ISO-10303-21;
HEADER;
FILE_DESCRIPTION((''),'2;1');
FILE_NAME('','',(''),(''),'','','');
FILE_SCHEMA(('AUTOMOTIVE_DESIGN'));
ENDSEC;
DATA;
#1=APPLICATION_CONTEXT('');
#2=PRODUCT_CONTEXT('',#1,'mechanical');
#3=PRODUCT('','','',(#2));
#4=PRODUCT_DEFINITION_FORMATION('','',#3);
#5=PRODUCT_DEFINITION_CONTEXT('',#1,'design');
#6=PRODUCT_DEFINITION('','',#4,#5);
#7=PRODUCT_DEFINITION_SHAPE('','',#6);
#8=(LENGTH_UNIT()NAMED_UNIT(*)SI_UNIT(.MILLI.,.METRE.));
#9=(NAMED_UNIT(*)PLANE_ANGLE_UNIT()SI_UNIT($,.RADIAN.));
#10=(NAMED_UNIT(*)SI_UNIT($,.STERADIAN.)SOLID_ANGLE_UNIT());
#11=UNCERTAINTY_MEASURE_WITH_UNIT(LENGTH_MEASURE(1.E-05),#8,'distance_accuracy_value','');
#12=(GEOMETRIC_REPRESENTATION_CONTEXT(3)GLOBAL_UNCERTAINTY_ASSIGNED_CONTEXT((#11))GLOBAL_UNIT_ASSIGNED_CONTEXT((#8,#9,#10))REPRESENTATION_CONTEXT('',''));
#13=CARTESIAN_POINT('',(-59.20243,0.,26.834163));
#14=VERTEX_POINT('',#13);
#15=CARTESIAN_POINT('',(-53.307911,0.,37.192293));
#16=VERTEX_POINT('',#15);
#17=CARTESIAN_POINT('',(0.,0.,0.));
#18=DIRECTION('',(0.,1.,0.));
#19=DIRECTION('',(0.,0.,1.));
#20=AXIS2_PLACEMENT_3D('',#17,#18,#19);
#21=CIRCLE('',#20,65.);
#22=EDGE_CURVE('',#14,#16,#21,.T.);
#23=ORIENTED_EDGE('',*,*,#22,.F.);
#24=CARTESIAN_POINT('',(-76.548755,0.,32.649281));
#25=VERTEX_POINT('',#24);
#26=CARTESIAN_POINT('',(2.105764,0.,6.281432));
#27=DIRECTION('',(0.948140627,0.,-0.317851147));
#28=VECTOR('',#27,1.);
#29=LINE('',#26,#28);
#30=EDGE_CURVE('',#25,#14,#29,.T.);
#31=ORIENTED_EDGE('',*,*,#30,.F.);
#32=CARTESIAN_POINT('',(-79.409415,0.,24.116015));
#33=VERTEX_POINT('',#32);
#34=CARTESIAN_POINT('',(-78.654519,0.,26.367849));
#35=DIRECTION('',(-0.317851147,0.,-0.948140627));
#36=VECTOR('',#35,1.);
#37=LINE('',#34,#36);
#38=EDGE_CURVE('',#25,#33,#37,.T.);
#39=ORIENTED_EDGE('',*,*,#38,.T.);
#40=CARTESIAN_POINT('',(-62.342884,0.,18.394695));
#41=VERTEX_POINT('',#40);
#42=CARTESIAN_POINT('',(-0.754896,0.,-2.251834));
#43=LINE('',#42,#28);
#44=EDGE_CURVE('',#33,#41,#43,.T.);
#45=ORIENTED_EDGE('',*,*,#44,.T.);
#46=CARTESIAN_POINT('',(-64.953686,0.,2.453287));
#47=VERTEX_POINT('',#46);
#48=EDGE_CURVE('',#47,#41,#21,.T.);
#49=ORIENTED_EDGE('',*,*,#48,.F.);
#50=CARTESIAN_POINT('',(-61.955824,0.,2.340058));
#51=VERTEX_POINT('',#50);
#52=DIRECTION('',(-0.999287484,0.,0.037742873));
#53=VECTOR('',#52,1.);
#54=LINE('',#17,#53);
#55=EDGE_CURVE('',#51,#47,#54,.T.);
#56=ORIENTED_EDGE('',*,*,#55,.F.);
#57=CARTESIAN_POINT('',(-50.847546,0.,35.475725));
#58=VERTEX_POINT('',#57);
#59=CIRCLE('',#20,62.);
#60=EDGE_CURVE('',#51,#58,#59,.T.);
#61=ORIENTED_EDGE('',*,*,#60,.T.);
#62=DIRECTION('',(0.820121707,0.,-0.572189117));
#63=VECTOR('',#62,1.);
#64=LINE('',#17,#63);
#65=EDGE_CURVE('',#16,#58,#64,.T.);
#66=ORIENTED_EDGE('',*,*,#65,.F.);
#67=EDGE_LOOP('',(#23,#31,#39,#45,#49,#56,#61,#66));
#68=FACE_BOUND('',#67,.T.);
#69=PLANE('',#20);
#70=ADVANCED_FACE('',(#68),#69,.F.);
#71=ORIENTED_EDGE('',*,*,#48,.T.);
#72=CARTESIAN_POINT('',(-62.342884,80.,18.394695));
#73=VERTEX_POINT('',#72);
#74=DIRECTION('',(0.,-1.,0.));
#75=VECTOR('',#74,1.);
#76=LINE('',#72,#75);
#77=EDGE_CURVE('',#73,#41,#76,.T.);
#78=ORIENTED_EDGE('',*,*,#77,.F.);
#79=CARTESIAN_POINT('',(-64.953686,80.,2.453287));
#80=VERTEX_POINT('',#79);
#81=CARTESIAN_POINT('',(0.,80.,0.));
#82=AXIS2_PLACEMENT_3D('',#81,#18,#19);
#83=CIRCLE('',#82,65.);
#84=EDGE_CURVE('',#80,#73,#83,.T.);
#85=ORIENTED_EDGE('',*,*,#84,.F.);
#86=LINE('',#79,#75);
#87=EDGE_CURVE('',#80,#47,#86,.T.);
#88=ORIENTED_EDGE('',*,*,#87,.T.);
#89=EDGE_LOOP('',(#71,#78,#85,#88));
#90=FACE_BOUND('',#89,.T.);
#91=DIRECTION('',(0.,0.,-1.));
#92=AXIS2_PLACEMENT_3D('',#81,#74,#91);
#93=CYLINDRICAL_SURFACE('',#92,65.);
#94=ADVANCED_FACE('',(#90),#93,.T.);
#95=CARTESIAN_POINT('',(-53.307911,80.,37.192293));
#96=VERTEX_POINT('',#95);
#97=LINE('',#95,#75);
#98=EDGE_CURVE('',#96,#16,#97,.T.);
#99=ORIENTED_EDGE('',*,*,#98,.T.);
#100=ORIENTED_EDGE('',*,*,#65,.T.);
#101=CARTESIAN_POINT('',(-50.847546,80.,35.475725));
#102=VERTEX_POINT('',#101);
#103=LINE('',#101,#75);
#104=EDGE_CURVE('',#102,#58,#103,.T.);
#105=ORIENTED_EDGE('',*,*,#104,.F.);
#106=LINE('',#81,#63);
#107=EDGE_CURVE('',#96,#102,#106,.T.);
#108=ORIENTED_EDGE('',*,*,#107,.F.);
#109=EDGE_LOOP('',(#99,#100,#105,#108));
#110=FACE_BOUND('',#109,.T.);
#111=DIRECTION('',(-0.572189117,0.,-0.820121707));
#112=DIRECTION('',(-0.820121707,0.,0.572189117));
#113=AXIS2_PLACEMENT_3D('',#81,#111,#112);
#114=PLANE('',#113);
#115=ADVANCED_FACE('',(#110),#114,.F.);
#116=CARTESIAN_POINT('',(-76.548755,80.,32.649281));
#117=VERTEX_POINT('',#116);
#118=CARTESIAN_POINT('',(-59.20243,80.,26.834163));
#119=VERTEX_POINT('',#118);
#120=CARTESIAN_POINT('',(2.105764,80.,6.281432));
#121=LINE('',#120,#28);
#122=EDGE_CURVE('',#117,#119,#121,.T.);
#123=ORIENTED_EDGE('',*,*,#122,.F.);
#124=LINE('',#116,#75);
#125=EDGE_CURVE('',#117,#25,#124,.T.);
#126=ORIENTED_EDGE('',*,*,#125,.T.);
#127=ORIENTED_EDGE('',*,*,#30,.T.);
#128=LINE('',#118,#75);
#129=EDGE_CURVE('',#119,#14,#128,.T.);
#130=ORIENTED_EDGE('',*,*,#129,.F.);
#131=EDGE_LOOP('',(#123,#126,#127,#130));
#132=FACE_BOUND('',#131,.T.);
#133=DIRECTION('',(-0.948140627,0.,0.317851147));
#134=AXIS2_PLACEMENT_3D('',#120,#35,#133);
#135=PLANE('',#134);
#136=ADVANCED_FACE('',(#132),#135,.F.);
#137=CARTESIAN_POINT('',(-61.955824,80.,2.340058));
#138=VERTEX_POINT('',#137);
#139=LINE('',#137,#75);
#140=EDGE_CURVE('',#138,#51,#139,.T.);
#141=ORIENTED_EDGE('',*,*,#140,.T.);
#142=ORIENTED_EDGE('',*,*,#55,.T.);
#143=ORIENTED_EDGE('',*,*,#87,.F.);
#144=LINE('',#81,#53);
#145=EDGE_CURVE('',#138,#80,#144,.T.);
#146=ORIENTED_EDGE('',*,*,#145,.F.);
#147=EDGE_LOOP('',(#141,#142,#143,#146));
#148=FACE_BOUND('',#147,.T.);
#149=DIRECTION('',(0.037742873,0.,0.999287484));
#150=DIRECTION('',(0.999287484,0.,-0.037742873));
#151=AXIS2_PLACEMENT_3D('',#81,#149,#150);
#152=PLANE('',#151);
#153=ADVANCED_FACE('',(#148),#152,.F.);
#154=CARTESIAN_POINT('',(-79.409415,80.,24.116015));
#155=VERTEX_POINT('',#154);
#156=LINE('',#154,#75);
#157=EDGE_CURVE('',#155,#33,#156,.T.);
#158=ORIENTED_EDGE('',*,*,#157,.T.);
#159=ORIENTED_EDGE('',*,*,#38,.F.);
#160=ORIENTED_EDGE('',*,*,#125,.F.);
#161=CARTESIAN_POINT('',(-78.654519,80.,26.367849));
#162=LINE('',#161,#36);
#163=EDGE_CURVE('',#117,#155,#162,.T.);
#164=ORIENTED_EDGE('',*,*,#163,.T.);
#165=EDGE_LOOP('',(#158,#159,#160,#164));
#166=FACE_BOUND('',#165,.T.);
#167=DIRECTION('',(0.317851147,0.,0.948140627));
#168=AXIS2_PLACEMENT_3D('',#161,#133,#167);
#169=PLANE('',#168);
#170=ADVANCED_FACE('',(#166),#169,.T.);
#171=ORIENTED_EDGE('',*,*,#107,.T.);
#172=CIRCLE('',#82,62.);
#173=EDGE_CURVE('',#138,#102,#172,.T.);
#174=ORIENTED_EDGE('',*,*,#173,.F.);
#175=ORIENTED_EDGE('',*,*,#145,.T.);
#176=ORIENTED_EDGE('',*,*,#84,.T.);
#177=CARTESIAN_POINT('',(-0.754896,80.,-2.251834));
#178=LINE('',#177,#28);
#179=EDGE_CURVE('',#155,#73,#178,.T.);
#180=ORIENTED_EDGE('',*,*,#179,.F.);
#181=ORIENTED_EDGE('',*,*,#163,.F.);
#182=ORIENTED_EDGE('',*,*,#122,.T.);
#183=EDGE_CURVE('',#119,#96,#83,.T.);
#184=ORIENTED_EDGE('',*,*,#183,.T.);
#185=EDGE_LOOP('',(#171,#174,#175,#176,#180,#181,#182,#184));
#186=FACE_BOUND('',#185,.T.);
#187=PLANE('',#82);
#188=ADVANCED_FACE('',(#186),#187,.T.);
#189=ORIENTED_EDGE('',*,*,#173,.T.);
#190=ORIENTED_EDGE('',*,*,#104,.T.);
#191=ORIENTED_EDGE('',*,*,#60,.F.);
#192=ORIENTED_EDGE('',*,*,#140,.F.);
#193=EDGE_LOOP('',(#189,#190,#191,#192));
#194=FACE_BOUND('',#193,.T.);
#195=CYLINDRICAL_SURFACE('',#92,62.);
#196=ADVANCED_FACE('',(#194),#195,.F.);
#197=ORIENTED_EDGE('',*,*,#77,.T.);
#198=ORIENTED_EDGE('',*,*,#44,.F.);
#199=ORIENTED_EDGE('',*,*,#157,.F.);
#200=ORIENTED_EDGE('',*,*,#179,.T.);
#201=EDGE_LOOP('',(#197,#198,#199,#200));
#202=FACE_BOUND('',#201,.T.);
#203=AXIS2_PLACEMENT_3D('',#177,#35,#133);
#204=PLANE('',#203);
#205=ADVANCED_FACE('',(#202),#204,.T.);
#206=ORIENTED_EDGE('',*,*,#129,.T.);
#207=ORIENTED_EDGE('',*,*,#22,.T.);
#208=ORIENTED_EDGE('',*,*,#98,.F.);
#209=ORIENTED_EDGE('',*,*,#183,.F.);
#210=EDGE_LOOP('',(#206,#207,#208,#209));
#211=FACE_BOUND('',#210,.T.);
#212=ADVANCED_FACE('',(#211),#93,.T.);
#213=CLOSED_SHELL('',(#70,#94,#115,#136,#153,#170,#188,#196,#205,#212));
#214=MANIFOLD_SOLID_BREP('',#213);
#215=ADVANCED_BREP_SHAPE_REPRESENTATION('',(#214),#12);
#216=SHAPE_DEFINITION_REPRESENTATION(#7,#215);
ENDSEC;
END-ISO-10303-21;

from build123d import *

# Parameters (mm, degrees)
BOSS_EXTRUDE1_DEPTH = 80


with BuildPart() as part:
    # Sketch1 → Boss-Extrude1 (new body)
    with BuildSketch(Plane(origin=(0, 0, 0), x_dir=(1, 0, 0), z_dir=(0, 1, 0))):
        with BuildLine():
            Line((-76.548755152, -32.649280907), (-59.202429764, -26.834163114))
            ThreePointArc((-59.202429764, -26.834163114), (-56.493069519, -32.148609555), (-53.307910951, -37.192292615))
            Line((-53.307910951, -37.192292615), (-50.847545831, -35.475725264))
            ThreePointArc((-50.847545831, -35.475725264), (-58.784718857, -19.706771143), (-61.955824005, -2.340058101))
            Line((-61.955824005, -2.340058101), (-64.953686456, -2.453286719))
            ThreePointArc((-64.953686456, -2.453286719), (-64.145431221, -10.505410678), (-62.342884198, -18.394694613))
            Line((-62.342884198, -18.394694613), (-79.409415479, -24.116015267))
            Line((-79.409415479, -24.116015267), (-76.548755152, -32.649280907))
        make_face()
    extrude(amount=BOSS_EXTRUDE1_DEPTH)


solid = part.part
